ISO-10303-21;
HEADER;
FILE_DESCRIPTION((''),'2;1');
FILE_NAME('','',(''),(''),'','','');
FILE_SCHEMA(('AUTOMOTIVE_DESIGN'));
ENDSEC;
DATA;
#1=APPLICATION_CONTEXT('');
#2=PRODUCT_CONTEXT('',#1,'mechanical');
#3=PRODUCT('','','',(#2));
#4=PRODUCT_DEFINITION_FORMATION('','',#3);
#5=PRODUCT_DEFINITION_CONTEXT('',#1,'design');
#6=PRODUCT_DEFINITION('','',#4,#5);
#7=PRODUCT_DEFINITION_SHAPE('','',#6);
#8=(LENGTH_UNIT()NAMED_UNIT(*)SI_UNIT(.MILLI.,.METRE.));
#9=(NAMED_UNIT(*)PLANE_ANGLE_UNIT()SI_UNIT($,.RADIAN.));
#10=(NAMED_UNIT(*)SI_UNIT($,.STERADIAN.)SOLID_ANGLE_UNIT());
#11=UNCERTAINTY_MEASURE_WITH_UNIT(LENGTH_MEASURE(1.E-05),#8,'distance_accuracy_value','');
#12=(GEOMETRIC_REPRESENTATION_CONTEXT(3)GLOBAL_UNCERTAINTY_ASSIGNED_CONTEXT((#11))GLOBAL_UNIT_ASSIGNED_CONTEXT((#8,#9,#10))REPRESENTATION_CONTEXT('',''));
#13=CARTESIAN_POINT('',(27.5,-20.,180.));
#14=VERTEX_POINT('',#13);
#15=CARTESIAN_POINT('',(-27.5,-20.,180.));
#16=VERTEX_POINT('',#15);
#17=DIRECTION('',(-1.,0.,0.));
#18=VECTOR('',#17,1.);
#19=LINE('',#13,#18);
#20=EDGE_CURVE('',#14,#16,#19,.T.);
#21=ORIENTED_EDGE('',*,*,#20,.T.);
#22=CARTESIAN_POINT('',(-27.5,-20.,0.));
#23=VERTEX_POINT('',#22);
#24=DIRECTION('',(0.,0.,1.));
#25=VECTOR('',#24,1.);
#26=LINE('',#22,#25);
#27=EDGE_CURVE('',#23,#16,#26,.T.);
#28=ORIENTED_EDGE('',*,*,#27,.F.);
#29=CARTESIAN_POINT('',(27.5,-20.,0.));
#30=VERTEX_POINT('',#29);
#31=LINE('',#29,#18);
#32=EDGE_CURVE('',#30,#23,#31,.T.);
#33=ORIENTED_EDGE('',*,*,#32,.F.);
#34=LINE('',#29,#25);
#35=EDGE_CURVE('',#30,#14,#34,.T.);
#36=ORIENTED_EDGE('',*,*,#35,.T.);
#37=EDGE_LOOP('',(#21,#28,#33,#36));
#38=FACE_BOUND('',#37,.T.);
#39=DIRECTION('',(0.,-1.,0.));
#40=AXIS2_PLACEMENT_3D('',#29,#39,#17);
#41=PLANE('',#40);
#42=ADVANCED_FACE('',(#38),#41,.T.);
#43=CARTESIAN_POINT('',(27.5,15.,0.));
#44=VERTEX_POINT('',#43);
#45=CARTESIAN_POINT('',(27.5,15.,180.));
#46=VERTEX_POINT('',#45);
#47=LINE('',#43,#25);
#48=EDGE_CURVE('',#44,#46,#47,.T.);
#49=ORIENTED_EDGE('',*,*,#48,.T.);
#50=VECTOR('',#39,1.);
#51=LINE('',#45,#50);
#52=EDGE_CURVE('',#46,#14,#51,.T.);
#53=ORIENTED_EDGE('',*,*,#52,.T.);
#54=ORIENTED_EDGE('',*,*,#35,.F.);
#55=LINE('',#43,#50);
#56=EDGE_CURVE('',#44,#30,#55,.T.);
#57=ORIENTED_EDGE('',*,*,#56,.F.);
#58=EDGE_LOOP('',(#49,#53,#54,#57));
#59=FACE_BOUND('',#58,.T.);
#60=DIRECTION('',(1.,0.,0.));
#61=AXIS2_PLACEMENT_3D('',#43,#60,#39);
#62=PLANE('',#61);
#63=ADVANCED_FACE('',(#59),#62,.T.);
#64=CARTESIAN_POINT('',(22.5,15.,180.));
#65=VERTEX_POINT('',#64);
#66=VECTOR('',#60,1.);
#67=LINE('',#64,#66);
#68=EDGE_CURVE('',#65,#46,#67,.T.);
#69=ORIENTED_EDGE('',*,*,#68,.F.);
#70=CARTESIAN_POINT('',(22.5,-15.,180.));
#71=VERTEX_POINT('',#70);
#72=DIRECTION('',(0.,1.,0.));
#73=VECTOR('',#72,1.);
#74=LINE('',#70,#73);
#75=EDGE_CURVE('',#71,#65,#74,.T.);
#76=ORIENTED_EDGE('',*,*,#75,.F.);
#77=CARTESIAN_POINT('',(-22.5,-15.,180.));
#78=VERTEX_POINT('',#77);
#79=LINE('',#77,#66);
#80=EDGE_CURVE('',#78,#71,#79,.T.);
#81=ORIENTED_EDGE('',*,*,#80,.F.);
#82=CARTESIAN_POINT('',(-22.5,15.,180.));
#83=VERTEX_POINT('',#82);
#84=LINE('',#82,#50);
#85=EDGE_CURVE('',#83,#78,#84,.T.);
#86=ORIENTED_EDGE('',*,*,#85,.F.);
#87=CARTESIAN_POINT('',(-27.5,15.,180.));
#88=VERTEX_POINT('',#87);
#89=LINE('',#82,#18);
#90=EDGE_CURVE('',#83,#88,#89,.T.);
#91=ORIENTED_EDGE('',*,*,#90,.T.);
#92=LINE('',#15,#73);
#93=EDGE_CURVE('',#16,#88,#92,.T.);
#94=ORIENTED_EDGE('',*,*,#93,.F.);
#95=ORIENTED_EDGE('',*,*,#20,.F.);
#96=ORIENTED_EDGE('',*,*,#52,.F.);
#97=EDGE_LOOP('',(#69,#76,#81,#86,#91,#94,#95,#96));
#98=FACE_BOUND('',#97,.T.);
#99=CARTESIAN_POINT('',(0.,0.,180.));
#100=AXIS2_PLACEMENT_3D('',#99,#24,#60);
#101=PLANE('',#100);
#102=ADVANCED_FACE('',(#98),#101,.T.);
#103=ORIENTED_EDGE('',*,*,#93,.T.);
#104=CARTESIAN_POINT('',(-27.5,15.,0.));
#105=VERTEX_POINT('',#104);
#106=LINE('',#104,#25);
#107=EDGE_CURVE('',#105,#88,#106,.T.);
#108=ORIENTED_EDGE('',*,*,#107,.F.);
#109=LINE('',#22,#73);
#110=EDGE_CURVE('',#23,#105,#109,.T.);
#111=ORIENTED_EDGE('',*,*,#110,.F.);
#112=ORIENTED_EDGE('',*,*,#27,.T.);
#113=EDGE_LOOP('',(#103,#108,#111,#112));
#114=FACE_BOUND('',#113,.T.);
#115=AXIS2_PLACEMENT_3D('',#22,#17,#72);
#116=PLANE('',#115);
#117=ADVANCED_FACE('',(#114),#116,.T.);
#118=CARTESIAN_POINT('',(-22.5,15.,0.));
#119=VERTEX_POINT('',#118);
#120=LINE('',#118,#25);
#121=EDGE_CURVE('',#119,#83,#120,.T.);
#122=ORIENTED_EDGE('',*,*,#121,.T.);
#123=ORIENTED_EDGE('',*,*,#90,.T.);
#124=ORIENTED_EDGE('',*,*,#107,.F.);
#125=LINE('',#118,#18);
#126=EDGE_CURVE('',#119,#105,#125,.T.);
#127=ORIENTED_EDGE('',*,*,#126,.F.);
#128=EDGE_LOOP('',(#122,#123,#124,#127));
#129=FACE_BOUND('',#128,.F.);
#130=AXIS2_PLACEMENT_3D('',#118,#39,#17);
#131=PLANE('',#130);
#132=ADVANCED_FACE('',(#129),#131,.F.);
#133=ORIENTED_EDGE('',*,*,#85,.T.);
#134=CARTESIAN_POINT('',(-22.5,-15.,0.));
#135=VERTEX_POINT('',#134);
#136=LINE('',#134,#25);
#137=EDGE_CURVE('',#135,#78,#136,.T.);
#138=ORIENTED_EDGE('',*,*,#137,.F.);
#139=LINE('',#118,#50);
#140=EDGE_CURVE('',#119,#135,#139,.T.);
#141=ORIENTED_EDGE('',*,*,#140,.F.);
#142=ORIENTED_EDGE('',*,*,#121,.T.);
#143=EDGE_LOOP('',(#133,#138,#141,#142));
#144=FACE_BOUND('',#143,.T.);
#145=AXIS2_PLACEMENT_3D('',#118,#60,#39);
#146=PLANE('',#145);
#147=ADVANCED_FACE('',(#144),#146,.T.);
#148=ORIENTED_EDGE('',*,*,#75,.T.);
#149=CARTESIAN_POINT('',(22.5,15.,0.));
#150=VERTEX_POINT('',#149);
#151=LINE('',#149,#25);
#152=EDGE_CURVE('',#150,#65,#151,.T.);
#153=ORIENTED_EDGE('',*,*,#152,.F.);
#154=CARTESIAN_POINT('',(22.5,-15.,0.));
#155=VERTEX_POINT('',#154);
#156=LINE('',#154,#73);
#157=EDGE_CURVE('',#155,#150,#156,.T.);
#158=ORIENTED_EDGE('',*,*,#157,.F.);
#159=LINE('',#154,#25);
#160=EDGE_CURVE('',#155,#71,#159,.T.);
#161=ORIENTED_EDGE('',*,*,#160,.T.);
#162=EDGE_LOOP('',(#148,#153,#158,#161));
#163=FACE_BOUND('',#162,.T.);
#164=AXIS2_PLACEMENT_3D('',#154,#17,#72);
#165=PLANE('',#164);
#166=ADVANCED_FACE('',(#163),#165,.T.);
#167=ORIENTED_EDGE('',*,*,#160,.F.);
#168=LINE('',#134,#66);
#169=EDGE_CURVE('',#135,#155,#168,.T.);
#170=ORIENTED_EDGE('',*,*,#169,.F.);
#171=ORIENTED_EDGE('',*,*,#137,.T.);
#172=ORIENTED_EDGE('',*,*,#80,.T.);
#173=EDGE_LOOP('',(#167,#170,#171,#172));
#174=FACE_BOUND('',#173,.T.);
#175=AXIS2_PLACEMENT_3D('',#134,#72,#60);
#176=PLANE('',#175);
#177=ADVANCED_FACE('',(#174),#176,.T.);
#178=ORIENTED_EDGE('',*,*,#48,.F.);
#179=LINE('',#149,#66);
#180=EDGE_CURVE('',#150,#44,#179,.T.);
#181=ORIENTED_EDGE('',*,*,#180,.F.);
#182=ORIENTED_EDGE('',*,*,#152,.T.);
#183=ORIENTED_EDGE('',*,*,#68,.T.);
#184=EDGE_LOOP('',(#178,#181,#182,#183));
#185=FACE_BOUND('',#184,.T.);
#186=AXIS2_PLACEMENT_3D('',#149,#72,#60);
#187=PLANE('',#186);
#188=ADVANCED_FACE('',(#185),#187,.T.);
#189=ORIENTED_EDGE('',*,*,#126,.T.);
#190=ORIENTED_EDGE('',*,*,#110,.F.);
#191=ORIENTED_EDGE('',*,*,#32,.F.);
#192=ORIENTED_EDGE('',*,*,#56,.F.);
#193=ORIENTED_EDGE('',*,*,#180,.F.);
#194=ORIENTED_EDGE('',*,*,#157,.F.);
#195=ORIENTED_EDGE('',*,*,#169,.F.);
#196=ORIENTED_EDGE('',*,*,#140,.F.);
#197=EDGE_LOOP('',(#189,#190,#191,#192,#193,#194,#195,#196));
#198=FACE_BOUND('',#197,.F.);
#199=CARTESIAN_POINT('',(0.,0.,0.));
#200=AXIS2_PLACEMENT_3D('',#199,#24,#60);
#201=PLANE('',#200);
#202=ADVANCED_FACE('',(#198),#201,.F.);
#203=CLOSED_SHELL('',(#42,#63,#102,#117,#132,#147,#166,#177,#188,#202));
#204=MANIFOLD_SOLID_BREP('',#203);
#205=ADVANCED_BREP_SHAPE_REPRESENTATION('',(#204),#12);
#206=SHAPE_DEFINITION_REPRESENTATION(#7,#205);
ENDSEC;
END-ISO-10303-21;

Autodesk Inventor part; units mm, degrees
ref_plane "YZ Plane" through (0, 0, 0) normal (1, 0, 0) x (0, 1, 0)
ref_plane "XZ Plane" through (0, 0, 0) normal (0, 1, 0) x (-1, 0, 0)
ref_plane "XY Plane" through (0, 0, 0) normal (0, 0, 1) x (1, 0, 0)
sketch "Sketch1" plane through (0, 0, 0) normal (0, 0, 1) x (1, 0, 0)
  line L0 (22.5, 15) -> (-22.5, 15) construction
  line L1 (-22.5, 15) -> (-22.5, -15)
  line L2 (-22.5, -15) -> (22.5, -15)
  line L3 (22.5, -15) -> (22.5, 15)
  line L4 (22.5, 15) -> (-22.5, -15) construction
  line L5 (-22.5, 15) -> (22.5, -15) construction
  line L6 (-27.5, -20) -> (-27.5, 15)
  line L7 (-27.5, 20) -> (27.5, 20) construction
  line L8 (27.5, 20) -> (27.5, 15) construction
  line L9 (27.5, -20) -> (-27.5, -20)
  line L10 (-22.5, 15) -> (-27.5, 15)
  line L11 (22.5, 15) -> (27.5, 15)
  line L12 (-27.5, 15) -> (-27.5, 20) construction
  line L13 (27.5, 15) -> (27.5, -20)
  point P0 (0, 0)
  dimension "d0" = 45
  dimension "d1" = 30
  dimension "d2" = 5
  dimension "d3" = 5
  dimension "d4" = 5
  dimension "d5" = 40
extrude "Extrusion1" add sketch "Sketch1" along normal blind 180
properties part number "track z2053"
